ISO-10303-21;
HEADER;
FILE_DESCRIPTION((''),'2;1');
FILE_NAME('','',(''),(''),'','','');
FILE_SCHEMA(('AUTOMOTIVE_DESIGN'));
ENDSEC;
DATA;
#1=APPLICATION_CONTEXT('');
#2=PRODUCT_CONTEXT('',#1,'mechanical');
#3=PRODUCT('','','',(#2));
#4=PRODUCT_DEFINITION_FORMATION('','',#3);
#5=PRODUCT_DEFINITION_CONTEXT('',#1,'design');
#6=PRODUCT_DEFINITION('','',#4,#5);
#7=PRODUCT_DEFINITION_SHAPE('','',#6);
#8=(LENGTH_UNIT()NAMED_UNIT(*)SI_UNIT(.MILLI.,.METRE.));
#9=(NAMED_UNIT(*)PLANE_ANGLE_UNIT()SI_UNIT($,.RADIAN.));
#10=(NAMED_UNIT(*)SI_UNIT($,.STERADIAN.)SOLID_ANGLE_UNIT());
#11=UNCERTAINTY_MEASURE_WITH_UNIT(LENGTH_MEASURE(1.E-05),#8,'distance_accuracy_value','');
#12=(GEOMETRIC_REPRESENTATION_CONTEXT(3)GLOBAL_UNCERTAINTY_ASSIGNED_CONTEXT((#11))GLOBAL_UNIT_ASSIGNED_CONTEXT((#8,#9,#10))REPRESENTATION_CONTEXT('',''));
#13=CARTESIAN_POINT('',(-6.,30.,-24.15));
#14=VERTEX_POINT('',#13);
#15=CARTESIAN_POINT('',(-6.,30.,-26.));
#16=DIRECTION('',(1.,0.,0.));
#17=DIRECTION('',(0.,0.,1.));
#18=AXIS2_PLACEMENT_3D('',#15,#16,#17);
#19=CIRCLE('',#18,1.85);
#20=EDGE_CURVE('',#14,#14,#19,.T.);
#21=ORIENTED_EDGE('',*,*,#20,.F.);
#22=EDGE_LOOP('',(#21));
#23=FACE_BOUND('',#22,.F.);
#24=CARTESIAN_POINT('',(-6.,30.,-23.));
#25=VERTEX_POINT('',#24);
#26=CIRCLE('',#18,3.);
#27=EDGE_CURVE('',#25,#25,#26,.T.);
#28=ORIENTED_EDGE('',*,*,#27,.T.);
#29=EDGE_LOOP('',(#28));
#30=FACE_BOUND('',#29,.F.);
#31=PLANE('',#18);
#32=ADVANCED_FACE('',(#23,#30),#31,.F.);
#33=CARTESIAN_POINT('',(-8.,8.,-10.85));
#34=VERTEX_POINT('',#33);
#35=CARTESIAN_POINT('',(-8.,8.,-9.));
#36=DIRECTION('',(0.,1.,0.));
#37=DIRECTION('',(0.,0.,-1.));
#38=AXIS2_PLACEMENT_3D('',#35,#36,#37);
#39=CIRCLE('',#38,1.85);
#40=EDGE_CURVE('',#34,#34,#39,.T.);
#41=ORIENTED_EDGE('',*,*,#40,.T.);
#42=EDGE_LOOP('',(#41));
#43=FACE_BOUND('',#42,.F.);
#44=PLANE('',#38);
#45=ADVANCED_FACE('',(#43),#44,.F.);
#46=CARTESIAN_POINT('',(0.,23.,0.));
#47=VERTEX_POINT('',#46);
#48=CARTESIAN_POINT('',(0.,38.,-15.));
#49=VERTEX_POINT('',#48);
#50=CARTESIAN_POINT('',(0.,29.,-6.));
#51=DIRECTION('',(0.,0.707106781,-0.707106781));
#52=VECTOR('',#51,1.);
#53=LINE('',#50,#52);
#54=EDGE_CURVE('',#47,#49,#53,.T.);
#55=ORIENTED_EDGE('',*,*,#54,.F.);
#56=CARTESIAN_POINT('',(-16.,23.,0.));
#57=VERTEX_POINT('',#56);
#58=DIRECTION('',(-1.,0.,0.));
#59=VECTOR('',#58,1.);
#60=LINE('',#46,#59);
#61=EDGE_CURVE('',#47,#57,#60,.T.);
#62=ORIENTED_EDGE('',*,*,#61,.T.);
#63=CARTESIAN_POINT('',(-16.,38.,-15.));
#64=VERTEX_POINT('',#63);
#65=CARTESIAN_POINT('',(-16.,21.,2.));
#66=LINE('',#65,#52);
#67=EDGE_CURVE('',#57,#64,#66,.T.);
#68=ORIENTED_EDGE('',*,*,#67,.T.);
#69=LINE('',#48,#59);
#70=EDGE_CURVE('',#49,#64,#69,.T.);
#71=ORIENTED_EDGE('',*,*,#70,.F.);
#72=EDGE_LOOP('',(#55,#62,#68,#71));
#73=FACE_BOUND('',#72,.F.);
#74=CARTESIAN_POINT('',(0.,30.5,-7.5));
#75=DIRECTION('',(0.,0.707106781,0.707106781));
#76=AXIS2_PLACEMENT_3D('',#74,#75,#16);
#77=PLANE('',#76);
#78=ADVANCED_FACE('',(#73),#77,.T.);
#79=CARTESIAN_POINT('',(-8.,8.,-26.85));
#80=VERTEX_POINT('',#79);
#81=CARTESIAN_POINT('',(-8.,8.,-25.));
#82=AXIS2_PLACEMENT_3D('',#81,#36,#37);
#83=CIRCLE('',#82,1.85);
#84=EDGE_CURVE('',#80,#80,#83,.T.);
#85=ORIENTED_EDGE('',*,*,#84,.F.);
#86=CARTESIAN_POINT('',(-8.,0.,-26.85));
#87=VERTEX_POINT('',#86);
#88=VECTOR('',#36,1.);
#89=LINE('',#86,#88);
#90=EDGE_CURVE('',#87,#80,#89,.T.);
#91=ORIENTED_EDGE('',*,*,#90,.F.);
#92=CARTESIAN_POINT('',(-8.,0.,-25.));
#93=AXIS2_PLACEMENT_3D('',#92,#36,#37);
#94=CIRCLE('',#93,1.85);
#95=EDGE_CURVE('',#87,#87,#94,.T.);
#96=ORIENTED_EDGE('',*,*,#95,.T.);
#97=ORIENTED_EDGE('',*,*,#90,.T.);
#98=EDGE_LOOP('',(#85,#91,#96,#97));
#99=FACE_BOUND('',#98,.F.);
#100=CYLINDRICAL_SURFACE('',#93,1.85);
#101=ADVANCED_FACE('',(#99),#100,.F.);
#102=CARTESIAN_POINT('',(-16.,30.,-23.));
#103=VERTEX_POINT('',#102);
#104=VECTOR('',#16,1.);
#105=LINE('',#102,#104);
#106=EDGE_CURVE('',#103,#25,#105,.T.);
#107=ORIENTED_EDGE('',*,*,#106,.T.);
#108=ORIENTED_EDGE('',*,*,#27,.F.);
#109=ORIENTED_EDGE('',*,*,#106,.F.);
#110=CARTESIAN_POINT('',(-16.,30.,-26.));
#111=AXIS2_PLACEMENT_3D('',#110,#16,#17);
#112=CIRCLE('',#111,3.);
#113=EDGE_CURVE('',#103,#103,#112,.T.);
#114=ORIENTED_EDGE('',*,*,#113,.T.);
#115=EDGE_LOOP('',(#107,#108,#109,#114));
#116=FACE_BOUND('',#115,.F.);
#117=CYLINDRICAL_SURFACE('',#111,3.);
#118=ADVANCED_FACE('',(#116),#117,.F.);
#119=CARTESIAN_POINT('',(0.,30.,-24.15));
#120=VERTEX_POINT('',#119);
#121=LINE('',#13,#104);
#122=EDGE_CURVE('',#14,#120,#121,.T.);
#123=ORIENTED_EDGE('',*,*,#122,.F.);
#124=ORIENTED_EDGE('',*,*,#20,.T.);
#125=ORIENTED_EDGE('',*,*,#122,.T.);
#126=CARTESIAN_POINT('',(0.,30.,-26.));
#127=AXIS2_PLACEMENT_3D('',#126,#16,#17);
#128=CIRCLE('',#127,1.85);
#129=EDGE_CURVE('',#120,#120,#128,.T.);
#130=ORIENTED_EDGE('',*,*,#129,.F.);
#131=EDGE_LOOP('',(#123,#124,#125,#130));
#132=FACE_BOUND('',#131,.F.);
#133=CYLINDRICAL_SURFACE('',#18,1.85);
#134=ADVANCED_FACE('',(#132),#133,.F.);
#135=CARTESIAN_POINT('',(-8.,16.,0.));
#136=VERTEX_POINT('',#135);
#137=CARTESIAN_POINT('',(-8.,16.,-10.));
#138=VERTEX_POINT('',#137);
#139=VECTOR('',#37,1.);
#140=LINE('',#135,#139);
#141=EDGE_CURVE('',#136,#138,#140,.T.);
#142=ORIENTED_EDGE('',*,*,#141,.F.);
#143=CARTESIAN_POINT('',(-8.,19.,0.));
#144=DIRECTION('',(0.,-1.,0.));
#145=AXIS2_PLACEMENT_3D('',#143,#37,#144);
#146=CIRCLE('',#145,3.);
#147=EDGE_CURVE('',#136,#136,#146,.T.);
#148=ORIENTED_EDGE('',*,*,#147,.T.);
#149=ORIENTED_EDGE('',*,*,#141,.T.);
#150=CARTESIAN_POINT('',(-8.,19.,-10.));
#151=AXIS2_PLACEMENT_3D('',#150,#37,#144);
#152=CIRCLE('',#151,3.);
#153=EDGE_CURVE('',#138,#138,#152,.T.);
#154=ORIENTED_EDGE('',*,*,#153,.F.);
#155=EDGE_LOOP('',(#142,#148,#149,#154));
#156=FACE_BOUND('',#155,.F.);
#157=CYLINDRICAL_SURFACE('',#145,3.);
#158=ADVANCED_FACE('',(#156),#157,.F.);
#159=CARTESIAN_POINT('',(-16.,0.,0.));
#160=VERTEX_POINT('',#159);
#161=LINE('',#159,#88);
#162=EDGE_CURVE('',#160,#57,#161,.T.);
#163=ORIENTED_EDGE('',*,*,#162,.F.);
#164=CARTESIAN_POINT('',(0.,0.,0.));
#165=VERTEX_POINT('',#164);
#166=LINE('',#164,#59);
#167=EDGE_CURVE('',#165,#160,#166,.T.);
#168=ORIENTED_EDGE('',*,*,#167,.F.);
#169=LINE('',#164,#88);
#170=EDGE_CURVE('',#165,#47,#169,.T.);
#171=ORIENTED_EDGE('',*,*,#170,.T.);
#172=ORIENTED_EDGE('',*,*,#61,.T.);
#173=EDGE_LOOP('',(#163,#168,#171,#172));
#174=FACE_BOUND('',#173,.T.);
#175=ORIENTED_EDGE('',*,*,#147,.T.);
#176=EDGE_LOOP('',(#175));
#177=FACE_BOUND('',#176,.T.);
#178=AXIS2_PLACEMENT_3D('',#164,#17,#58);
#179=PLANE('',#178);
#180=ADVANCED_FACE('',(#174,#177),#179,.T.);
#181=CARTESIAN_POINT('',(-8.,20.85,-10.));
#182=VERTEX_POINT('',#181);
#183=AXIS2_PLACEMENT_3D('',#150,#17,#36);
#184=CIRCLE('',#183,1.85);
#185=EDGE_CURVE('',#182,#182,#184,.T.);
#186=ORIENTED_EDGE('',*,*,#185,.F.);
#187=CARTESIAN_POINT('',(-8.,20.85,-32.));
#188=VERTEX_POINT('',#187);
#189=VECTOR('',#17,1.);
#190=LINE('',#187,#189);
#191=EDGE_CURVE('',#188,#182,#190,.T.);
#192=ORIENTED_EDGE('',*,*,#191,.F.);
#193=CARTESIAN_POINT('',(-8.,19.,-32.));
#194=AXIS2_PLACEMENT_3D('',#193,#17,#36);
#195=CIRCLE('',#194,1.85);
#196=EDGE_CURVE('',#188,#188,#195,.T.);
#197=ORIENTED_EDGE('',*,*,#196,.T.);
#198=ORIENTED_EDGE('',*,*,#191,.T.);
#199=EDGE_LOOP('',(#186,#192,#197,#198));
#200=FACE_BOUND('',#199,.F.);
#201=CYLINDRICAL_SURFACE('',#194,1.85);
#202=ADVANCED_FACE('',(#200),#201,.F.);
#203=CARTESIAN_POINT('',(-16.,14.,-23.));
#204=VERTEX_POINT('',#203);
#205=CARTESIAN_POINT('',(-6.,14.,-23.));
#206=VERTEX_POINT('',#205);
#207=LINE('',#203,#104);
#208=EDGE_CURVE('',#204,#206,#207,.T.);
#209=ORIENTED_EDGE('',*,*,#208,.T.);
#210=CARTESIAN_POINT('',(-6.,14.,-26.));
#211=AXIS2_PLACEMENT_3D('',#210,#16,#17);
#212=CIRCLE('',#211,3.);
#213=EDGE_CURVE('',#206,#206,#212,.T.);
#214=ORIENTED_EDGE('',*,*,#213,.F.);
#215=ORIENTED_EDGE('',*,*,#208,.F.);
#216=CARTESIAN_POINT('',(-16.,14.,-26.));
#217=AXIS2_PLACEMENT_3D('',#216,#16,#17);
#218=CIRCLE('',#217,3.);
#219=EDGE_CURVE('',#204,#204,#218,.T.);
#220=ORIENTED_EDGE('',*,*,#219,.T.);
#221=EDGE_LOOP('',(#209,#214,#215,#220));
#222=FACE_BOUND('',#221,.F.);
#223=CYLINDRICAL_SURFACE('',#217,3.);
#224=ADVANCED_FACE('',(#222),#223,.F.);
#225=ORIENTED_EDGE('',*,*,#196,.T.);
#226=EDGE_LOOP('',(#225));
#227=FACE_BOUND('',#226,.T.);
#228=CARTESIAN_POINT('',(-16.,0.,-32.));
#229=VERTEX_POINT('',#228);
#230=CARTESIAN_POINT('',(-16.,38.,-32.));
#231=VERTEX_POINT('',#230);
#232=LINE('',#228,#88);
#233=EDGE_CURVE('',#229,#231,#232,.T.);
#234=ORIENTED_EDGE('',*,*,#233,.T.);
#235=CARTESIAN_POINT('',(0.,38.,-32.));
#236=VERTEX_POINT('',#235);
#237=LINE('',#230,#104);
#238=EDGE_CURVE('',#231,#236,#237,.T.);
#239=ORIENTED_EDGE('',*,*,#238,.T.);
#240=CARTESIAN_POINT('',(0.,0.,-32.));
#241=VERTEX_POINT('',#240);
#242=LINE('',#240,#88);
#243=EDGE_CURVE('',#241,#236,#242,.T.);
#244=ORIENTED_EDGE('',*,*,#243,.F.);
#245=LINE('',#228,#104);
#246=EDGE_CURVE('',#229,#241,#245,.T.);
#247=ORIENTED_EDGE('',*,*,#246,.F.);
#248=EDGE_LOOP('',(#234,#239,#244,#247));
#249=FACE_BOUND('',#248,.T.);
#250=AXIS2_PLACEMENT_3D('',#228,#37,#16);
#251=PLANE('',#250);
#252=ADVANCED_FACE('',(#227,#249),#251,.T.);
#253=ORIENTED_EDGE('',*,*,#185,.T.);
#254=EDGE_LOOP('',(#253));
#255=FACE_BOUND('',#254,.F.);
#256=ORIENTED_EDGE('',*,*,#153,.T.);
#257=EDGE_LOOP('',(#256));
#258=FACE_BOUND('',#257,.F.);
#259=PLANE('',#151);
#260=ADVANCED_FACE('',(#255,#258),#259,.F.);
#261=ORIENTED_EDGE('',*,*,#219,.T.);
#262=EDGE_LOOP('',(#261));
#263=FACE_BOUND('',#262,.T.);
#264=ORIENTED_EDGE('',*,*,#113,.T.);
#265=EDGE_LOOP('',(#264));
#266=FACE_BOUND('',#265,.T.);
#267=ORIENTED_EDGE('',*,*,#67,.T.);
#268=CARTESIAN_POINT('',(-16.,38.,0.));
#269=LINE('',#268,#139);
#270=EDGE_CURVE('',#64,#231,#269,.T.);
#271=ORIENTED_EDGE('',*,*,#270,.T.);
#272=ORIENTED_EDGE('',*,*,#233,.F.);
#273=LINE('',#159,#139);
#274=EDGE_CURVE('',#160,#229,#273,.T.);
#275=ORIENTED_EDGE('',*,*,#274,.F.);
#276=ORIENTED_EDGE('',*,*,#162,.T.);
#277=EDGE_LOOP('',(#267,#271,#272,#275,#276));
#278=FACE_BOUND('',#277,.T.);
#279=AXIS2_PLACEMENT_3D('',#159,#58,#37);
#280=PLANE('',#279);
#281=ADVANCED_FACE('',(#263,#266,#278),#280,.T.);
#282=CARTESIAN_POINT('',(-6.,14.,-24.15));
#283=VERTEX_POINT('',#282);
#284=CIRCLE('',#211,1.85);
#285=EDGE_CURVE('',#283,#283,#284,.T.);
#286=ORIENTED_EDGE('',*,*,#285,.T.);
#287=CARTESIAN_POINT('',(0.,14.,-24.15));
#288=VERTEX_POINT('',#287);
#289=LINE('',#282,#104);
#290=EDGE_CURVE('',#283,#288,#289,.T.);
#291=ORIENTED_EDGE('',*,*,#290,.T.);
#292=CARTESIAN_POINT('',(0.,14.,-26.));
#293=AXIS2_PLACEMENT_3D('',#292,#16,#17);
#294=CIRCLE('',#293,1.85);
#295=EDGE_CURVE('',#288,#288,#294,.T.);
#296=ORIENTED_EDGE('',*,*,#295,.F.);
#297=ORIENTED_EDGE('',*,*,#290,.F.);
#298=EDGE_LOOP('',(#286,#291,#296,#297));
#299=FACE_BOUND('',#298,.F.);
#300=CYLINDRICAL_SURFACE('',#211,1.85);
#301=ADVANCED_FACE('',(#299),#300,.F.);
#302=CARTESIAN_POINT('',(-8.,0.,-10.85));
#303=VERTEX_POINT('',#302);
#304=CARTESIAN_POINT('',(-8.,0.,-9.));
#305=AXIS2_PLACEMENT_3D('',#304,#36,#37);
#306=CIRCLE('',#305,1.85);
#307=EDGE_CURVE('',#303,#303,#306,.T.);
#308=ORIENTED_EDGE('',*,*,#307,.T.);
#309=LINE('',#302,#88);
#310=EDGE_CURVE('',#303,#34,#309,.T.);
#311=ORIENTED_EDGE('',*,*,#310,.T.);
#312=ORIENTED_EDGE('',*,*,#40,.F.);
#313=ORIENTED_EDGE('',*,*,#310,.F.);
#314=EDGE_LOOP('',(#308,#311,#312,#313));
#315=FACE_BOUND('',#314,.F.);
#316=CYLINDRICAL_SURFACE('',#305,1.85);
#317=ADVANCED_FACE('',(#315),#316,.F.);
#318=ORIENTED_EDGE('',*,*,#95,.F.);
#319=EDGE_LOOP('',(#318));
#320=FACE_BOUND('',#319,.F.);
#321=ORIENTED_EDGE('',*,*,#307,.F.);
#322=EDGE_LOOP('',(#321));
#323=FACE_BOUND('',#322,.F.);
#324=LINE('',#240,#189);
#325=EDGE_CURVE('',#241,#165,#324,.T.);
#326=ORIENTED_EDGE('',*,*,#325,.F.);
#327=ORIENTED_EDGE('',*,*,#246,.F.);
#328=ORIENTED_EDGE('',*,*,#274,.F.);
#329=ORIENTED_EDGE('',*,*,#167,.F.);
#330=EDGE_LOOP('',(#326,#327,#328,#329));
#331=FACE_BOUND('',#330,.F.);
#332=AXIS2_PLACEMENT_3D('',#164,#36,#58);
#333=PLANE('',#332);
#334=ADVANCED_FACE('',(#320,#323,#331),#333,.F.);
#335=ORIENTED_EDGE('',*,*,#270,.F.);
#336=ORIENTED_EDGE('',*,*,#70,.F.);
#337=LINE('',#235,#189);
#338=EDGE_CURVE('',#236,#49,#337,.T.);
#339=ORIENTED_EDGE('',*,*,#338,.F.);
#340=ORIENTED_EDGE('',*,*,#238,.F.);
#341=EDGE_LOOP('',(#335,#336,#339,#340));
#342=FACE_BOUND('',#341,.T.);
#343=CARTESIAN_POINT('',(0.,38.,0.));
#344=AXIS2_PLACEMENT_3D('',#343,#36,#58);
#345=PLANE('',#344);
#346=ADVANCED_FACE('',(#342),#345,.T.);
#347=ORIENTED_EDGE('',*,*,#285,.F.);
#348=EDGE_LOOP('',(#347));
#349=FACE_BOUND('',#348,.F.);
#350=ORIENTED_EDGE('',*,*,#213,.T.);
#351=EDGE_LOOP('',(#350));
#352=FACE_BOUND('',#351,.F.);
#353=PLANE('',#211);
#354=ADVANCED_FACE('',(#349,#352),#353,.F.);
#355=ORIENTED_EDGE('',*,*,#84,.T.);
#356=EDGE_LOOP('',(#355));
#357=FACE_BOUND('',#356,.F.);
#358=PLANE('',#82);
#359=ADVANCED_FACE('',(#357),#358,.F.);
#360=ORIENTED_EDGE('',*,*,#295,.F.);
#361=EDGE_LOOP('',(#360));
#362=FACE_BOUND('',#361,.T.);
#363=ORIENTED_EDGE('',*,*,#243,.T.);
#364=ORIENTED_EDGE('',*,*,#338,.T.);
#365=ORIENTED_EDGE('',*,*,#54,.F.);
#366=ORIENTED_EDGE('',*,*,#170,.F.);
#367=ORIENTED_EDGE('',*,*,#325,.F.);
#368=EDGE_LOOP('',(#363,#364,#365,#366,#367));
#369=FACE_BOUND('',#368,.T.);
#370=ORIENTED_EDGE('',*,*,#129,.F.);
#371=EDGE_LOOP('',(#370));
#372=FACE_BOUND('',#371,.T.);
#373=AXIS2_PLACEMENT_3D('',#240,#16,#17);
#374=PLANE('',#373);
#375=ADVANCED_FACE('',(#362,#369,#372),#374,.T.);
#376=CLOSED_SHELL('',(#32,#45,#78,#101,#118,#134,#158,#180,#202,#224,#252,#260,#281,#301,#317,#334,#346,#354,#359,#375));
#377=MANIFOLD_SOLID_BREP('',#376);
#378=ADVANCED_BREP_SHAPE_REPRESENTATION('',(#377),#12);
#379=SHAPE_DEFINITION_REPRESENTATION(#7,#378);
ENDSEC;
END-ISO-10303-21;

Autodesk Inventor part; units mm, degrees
ref_plane "YZ Plane" through (0, 0, 0) normal (1, 0, 0) x (0, 1, 0)
ref_plane "XZ Plane" through (0, 0, 0) normal (0, 1, 0) x (-1, 0, 0)
ref_plane "XY Plane" through (0, 0, 0) normal (0, 0, 1) x (1, 0, 0)
sketch "Sketch1" plane through (0, 0, 0) normal (0, 1, 0) x (-1, 0, 0)
  line L0 (0, 0) -> (16, 0)
  line L1 (16, 0) -> (16, -32)
  line L2 (16, -32) -> (0, -32)
  line L3 (0, -32) -> (0, 0)
  dimension "d0" = 16
  dimension "d1" = 32
extrude "Extrusion1" add sketch "Sketch1" along normal blind 38
sketch "Sketch2" plane through (-16, 0, -32) normal (-1, 0, 0) x (0, 0, 1)
  circle A0 centre (6, 14) radius 1.3525
  circle A1 centre (6, 30) radius 1.3525
  point P0 (32, 0)
hole "Hole1" at (-16, 14, -26) at (-16, 30, -26) direction (1, 0, 0) diameter 3.7 end through all counterbore diameter 6 counterbore depth 10
sketch "Sketch3" plane through (0, 0, 0) normal (0, -1, 0) x (1, 0, 0)
  circle A0 centre (-8, -25) radius 1.85
  circle A1 centre (-8, -9) radius 1.85
  point P0 (0, 0)
hole "Hole2" at (-8, 0, -25) at (-8, 0, -9) direction (0, 1, 0) diameter 3.7 depth 8
chamfer "Chamfer1" distance 15 angle 45 1 edges at (-8, 38, 0)
sketch "Sketch4" plane through (0, 0, -32) normal (0, 0, -1) x (-1, 0, 0)
  line L0 (0, 0) -> (16, 0)
  line L1 (16, 0) -> (16, 38)
  line L2 (0, 38) -> (16, 38)
  line L3 (0, 0) -> (0, 38)
  point P0 (8, 19)
hole "Hole3" at (-8, 19, -32) direction (0, 0, 1) diameter 3.7 end through all
sketch "Sketch6" plane through (-16, 0, 0) normal (0, 0, 1) x (1, 0, 0)
  circle A0 centre (8, 19) radius 1.85
  point P0 (16, 0)
hole "Hole5" at (-8, 19, 0) direction (0, 0, -1) diameter 6 depth 10
properties part number "innerbracket" material "ABS Plastic"
